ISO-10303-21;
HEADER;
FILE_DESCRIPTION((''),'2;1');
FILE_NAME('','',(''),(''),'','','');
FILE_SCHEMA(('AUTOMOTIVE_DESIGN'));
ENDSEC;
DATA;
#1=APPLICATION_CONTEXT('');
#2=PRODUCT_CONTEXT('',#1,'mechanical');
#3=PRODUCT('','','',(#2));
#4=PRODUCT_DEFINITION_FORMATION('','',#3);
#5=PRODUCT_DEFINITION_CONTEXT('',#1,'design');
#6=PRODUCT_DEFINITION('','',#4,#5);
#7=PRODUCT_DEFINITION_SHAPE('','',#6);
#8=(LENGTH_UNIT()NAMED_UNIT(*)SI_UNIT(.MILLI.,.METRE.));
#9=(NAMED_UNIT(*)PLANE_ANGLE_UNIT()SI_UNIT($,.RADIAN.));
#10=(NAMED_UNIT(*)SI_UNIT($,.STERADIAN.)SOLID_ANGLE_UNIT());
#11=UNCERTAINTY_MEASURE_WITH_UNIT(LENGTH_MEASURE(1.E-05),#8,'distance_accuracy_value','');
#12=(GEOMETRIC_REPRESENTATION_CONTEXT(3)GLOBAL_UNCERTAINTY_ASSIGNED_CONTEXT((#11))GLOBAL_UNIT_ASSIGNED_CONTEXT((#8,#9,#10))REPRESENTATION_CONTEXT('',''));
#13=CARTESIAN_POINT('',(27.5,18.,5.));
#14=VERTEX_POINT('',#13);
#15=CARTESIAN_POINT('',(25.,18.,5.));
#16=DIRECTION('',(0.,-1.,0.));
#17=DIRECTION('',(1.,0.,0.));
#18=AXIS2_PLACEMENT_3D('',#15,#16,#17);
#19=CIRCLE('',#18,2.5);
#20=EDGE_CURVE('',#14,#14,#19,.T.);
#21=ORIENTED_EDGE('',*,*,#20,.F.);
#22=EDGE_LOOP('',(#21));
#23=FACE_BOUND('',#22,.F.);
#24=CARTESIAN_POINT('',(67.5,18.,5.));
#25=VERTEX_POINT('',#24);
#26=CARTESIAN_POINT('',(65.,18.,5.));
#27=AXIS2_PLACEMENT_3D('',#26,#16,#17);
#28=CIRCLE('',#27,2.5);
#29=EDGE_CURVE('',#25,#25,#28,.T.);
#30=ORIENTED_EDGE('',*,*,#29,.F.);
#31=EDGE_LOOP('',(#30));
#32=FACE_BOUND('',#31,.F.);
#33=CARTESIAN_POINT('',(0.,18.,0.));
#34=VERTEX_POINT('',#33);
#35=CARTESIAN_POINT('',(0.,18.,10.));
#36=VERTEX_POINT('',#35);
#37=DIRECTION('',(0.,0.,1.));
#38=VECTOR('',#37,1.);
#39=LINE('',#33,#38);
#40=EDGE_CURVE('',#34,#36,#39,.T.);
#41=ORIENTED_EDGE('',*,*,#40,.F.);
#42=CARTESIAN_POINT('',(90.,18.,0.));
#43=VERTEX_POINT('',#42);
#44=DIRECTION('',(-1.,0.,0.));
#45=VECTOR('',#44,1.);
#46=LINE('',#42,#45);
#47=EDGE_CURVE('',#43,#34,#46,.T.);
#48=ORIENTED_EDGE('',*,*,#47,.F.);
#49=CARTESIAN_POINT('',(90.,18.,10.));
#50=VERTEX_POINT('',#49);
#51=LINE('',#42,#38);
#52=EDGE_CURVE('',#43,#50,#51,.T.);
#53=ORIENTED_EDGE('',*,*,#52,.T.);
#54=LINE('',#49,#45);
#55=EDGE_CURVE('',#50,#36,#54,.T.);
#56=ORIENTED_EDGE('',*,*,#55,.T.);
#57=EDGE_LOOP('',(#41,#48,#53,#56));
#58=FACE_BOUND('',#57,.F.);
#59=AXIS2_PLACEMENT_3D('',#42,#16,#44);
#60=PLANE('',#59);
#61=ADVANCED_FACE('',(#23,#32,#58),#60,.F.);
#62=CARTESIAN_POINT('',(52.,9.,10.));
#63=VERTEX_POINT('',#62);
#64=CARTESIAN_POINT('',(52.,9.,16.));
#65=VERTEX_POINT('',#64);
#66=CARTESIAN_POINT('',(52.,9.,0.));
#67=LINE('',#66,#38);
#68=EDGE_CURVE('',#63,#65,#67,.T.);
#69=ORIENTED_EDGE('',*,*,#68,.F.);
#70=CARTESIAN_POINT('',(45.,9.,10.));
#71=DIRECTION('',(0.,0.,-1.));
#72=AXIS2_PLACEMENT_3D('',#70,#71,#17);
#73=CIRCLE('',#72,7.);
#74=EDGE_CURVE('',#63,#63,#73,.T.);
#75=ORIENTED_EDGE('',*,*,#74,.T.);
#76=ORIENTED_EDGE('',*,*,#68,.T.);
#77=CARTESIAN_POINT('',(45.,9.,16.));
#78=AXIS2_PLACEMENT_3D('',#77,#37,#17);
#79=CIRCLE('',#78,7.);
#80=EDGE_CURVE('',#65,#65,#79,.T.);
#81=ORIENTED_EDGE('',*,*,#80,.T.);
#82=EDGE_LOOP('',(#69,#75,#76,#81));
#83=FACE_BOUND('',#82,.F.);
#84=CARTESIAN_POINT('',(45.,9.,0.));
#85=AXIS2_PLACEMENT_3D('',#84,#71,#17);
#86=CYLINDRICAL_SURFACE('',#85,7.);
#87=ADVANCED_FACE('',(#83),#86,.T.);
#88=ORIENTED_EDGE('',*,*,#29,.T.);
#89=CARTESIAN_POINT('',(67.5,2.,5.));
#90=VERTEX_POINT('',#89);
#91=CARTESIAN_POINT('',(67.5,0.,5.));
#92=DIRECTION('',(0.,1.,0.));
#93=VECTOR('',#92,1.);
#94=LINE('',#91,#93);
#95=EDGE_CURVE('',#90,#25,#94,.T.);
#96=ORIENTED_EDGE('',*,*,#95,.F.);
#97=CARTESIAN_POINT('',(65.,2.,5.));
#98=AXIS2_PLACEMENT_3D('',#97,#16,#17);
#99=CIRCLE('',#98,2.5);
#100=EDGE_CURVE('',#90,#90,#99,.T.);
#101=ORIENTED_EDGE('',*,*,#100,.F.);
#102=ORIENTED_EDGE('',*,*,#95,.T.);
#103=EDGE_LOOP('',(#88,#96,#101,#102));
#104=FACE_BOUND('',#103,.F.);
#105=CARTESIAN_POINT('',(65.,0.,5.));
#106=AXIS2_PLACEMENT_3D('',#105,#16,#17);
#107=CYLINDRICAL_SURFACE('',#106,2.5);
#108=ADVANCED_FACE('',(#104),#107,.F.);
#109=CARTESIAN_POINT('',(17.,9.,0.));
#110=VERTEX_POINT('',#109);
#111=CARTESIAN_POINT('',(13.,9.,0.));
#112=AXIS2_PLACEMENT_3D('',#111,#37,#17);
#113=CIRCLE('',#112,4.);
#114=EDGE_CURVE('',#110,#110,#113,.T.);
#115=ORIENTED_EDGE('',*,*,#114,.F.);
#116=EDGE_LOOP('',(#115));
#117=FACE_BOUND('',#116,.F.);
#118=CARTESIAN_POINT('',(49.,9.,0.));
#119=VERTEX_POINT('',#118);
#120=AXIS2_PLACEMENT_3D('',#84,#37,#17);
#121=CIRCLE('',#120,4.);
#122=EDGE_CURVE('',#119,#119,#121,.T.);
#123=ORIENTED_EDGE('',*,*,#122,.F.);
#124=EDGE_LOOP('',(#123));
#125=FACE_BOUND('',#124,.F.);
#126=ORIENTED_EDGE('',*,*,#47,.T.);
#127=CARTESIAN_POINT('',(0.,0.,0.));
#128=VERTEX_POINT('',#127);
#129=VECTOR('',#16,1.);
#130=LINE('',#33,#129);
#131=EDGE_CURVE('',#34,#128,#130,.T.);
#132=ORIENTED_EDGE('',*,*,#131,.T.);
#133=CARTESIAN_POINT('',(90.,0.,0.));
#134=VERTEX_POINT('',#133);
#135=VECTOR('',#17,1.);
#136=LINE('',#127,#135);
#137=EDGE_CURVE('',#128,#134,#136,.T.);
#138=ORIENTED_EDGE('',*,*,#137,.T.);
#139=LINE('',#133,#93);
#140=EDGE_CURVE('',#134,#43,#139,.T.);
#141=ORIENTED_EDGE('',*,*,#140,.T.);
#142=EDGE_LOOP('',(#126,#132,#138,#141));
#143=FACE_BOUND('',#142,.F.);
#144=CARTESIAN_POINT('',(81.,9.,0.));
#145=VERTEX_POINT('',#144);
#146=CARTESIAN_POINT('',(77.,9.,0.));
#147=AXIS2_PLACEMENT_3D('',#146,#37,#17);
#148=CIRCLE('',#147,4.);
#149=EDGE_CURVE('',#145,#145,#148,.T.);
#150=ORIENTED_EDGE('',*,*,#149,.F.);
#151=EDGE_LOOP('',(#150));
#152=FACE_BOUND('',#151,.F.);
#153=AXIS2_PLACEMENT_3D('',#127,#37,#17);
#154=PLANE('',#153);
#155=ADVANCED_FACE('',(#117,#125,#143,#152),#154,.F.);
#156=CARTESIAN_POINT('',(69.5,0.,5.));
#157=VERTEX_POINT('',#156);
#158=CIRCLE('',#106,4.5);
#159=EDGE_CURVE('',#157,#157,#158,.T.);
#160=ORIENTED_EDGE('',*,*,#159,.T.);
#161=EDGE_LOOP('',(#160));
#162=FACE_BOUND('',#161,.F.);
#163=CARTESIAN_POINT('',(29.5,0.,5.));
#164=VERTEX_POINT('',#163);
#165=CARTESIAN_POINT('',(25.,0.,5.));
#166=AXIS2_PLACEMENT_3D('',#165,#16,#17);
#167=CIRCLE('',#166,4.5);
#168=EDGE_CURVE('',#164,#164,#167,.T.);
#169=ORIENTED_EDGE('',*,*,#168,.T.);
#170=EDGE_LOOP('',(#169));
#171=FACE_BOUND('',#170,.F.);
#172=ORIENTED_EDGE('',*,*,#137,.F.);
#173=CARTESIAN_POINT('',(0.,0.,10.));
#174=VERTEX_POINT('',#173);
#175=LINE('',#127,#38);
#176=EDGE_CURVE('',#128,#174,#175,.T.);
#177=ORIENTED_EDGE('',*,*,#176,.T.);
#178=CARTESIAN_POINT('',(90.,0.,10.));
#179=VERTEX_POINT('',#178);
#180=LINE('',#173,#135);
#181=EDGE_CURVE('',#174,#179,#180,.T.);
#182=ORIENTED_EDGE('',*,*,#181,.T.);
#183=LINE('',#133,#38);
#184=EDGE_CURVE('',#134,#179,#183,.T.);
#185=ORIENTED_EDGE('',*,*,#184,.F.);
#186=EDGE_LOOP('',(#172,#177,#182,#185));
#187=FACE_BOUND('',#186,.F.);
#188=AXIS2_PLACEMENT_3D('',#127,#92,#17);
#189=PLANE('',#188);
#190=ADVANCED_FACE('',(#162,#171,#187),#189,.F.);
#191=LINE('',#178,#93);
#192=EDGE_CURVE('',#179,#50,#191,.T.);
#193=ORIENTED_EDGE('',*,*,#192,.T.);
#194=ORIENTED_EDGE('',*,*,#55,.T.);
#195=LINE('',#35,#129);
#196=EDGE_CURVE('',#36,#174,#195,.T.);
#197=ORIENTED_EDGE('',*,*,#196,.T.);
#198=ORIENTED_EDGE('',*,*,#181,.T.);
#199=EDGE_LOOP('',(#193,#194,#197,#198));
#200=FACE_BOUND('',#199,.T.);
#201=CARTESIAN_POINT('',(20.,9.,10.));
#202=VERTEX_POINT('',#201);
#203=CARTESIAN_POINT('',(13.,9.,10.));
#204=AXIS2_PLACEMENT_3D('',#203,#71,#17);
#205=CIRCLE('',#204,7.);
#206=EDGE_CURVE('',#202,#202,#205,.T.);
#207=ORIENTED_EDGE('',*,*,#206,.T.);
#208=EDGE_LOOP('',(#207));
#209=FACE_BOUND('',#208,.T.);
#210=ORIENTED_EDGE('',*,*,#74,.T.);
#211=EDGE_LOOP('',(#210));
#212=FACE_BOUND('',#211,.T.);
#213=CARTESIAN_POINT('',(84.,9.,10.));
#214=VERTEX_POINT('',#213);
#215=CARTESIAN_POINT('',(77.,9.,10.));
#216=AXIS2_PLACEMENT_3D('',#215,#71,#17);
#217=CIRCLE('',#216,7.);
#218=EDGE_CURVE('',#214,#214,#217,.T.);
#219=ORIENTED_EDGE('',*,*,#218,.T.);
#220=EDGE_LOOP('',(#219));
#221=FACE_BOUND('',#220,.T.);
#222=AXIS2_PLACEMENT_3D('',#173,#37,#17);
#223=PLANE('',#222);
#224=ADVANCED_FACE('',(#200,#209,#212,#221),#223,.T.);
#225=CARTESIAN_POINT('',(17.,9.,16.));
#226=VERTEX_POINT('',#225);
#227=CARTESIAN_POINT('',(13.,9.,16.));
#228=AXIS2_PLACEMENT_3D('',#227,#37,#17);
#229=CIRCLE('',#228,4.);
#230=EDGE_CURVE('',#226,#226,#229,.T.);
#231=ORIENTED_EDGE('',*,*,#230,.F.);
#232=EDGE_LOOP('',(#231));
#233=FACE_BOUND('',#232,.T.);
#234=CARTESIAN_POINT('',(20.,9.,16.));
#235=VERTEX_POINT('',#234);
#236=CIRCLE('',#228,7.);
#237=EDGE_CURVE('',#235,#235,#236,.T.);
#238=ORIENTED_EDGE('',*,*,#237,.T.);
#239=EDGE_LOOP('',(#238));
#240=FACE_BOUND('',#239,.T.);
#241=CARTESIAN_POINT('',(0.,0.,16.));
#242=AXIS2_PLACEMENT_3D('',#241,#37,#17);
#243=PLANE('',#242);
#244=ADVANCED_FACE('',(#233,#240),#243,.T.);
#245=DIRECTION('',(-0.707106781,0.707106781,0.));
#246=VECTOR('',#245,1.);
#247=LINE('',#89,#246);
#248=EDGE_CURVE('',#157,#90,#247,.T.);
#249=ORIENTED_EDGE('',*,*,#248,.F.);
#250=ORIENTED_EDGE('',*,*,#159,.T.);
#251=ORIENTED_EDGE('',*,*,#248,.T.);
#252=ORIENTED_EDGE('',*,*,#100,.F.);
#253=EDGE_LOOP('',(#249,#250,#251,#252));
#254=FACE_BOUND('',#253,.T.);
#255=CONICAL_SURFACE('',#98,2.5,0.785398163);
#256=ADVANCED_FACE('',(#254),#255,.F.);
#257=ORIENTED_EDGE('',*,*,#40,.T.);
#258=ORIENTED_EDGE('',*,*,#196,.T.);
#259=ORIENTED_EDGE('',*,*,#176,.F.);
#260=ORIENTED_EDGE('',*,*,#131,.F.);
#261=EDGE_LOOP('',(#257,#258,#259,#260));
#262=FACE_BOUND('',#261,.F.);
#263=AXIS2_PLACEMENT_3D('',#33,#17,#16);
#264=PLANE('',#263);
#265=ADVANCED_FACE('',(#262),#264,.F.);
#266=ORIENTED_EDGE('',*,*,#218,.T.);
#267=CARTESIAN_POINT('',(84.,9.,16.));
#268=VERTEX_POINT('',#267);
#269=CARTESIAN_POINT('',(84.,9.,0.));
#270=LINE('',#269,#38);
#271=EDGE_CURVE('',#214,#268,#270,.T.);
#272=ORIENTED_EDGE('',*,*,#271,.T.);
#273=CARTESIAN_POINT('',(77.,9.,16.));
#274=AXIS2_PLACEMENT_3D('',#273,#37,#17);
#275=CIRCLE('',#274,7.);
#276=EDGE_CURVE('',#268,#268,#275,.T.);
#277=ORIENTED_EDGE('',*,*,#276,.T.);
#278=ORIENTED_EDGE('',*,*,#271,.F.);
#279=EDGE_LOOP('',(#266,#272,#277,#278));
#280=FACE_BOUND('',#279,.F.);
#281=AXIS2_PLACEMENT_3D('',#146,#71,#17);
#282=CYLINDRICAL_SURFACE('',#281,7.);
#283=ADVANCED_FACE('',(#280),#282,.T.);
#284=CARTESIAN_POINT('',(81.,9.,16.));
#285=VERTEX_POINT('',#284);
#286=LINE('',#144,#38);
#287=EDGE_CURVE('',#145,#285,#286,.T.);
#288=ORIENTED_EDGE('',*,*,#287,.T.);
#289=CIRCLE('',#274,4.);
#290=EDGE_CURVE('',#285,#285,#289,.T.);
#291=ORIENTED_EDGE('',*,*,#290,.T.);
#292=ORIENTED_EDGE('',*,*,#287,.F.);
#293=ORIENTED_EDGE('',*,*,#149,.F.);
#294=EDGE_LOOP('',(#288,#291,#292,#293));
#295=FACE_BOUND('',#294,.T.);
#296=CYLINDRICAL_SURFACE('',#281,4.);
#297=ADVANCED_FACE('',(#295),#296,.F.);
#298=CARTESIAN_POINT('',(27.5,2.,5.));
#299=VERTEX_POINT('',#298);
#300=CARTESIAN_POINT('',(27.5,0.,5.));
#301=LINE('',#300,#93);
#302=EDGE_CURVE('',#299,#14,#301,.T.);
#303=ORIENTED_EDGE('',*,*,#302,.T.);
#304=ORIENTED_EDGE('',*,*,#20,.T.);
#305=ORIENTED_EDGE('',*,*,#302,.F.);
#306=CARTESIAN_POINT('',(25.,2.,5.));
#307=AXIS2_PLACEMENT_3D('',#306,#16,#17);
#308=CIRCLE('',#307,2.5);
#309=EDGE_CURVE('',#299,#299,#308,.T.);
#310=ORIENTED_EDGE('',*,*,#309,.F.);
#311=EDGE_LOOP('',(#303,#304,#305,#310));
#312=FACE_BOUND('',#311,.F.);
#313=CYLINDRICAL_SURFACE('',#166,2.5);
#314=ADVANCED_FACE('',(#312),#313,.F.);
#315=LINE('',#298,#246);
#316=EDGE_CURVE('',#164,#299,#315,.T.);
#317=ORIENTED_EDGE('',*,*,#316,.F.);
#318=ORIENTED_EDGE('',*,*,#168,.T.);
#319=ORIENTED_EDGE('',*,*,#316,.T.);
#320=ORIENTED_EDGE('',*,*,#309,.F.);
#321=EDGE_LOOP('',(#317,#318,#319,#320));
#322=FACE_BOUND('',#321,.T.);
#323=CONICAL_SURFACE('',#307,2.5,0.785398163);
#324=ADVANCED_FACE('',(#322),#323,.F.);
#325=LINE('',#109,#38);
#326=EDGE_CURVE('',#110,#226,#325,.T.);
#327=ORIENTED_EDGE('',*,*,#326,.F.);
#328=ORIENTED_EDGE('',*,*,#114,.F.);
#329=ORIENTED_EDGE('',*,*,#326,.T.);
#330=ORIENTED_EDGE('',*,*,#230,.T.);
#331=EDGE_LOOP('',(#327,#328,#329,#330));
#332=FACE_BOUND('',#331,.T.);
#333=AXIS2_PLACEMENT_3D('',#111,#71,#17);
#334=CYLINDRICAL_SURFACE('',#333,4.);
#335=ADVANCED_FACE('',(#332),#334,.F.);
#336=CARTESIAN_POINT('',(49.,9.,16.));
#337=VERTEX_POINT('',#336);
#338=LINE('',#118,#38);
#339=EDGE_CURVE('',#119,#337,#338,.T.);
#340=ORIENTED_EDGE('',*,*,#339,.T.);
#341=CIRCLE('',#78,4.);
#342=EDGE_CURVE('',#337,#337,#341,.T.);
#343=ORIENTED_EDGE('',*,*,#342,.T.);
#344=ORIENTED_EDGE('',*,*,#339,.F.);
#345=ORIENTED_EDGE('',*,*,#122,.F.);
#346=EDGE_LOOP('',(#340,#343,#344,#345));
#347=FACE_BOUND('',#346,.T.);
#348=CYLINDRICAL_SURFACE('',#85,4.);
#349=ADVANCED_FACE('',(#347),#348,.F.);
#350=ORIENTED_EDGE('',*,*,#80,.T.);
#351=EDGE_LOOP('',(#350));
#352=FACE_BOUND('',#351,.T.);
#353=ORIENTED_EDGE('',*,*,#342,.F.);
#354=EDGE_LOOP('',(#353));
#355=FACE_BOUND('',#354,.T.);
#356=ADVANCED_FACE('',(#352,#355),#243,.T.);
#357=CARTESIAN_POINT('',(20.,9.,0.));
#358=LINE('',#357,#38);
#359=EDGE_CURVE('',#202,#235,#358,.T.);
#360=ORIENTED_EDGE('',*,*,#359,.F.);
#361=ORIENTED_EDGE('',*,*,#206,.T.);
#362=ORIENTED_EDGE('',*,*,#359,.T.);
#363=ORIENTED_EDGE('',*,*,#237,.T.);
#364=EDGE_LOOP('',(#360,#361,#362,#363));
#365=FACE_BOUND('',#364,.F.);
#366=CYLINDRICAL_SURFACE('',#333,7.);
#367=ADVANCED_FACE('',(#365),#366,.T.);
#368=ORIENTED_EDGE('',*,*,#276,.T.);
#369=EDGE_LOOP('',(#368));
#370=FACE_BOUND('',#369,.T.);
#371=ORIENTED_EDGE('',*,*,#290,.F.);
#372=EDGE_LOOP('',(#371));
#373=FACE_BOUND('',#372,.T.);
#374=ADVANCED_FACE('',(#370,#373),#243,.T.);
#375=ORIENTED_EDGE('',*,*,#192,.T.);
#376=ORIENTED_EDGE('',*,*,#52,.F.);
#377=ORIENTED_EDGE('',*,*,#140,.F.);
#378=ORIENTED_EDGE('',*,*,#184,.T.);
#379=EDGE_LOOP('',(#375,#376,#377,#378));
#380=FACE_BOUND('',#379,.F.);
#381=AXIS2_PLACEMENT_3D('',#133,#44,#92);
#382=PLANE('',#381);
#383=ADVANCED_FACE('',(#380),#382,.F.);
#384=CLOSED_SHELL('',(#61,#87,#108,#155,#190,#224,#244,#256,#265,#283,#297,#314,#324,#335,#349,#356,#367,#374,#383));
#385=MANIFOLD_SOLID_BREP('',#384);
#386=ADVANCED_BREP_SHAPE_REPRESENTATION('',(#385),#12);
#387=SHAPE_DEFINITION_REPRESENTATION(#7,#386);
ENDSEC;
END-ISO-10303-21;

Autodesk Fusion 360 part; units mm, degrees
sketch "Sketch1" plane through (0, 0, 0) normal (0, 0, 1) x (1, 0, 0)
  line L0 (0, 0) -> (90, 0)
  line L1 (90, 0) -> (90, 18)
  line L2 (90, 18) -> (0, 18)
  line L3 (0, 18) -> (0, 0)
  circle A0 centre (13, 9) radius 4
  circle A1 centre (45, 9) radius 4
  circle A2 centre (77, 9) radius 4
  circle A3 centre (13, 9) radius 7
  circle A4 centre (45, 9) radius 7
  circle A5 centre (77, 9) radius 7
  dimension "d1" = 9
  dimension "d2" = 9
  dimension "d3" = 9
  dimension "d4" = 45
  dimension "d5" = 32
  dimension "d6" = 32
extrude "Extrude1" add sketch "Sketch1" along normal blind 10 contours L0 L1 L2 L3 | A3 | A4 | A5
extrude "Extrude2" add sketch "Sketch1" along normal blind 16 contours A3 | A4 | A5
sketch "Sketch2" plane through (0, 0, 0) normal (0, -1, 0) x (1, 0, 0)
  line L0 (0, 0) -> (90, 0)
  line L1 (90, 0) -> (90, 10)
  line L2 (90, 10) -> (0, 10)
  line L3 (0, 10) -> (0, 0)
  circle A0 centre (25, 5) radius 2.5
  circle A1 centre (65, 5) radius 2.5
  dimension "d11" = 25
  dimension "d12" = 40
extrude "Extrude3" cut sketch "Sketch2" against normal blind 18 contours A0 | A1
chamfer "Chamfer1" distance 2 angle 45 2 edges at (62.6692, 0, 5.904) (22.6692, 0, 5.904)
